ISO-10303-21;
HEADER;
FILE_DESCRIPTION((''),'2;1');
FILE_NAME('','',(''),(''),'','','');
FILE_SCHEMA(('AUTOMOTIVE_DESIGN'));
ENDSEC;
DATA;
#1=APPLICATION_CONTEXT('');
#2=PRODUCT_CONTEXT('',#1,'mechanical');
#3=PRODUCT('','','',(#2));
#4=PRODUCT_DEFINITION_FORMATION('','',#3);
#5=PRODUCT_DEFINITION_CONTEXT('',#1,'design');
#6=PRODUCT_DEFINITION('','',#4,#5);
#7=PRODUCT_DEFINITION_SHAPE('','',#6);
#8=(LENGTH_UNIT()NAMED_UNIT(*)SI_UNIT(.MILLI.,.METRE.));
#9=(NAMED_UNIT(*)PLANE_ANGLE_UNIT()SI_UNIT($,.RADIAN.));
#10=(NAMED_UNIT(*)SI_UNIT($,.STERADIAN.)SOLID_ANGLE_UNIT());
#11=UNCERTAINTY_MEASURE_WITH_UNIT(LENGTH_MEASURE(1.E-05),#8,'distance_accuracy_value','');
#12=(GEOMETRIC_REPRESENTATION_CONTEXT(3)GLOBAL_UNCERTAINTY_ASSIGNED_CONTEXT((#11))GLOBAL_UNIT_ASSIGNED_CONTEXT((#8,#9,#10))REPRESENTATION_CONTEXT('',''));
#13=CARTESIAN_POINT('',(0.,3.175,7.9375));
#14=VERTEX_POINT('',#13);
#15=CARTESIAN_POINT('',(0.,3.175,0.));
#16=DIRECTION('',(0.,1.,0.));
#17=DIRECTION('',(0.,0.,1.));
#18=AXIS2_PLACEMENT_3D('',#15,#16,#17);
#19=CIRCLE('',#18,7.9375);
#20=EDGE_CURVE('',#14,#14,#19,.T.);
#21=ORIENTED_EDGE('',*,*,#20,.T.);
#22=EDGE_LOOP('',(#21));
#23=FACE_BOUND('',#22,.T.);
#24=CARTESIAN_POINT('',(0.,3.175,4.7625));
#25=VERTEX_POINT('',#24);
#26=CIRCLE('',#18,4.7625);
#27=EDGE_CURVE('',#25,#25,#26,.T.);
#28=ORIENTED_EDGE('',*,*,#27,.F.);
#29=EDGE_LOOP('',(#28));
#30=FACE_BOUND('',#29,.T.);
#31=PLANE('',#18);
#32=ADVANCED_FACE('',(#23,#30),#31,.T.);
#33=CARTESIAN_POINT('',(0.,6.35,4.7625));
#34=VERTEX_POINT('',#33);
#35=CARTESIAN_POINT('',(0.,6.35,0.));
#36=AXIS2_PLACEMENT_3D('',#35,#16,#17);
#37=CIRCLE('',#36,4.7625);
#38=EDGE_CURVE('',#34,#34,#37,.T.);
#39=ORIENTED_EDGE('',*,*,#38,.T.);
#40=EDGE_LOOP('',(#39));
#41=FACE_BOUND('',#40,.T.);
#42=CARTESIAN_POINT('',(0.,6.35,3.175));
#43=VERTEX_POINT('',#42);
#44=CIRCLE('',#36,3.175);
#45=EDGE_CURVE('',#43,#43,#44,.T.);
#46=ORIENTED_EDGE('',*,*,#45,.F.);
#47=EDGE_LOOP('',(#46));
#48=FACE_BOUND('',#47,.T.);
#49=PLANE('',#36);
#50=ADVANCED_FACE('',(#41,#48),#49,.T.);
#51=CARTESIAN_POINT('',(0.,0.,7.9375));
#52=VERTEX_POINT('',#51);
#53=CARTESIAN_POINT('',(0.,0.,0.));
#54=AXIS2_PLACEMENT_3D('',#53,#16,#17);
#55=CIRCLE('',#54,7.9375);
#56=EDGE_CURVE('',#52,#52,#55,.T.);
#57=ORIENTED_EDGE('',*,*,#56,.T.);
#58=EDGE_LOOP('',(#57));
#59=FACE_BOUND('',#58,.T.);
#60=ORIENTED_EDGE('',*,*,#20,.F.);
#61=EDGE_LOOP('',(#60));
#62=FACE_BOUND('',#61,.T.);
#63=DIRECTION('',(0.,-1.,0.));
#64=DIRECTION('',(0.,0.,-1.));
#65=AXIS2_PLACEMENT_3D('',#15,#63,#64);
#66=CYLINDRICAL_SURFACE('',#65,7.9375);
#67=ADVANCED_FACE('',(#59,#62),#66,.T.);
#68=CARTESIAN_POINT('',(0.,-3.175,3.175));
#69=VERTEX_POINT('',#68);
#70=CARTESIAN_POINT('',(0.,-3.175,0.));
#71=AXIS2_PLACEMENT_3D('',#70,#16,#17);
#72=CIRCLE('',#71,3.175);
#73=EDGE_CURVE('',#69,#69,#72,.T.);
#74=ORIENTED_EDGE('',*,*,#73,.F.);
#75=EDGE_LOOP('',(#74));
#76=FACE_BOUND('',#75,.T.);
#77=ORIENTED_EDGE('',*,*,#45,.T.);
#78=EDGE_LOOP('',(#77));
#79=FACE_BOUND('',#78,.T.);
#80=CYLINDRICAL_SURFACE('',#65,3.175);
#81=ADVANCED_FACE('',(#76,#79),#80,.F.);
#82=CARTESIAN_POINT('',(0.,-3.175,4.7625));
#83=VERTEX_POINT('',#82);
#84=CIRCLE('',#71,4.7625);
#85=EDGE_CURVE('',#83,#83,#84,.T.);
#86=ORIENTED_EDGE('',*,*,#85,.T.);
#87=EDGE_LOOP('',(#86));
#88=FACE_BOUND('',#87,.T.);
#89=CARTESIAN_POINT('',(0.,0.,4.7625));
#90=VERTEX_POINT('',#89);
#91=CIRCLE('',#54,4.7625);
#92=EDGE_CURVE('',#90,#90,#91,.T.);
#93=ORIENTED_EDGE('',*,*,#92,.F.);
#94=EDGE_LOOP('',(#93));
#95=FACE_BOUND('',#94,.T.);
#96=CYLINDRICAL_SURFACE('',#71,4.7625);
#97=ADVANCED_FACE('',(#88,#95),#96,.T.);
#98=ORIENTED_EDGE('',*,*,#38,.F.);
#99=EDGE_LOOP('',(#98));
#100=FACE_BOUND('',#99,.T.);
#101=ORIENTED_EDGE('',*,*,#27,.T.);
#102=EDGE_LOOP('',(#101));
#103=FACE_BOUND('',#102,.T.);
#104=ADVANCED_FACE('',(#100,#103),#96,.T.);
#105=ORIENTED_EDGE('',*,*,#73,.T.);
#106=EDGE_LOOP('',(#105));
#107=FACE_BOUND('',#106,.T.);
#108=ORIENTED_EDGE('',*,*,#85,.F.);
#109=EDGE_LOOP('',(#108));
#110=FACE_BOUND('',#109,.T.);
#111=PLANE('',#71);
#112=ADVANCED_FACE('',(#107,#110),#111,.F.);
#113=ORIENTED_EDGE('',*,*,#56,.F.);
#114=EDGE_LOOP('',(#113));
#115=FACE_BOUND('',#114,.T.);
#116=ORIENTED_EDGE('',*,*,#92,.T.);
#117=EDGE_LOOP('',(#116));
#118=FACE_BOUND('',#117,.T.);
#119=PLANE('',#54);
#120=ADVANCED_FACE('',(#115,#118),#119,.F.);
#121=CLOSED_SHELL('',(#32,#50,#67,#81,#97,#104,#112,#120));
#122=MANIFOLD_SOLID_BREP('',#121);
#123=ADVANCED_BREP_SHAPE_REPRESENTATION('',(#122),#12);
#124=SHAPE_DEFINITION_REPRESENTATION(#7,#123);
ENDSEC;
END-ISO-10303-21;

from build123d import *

# Parameters (mm, degrees)
SKETCH1_R                = 7.9375
SKETCH1_R_2              = 3.175
BOSS_EXTRUDE1_DEPTH      = 3.175
BOSS_EXTRUDE2_DEPTH      = 3.175
BOSS_EXTRUDE2_DEPTH_BACK = 6.35
SKETCH2_R                = 4.7625
SKETCH2_R_2              = 3.175


with BuildPart() as part:
    # Sketch1 → Boss-Extrude1 (new body)
    with BuildSketch(Plane(origin=(0, 0, 0), x_dir=(1, 0, 0), z_dir=(0, 1, 0))):
        with Locations(Location((0, 0, 0), (0, 0, 270))):
            Circle(SKETCH1_R)
        with Locations(Location((0, 0, 0), (0, 0, 270))):
            Circle(SKETCH1_R_2, mode=Mode.SUBTRACT)
    extrude(amount=BOSS_EXTRUDE1_DEPTH)

    # Sketch2 → Boss-Extrude2 (add, two sides: drawn at the far end of the back side and taken through both)
    with BuildSketch(Plane(origin=(0, 3.175, 0), x_dir=(1, 0, 0), z_dir=(0, 1, 0)).offset(-BOSS_EXTRUDE2_DEPTH_BACK)):
        with Locations(Location((0, 0, 0), (0, 0, 270))):
            Circle(SKETCH2_R)
        with Locations(Location((0, 0, 0), (0, 0, 270))):
            Circle(SKETCH2_R_2, mode=Mode.SUBTRACT)
    extrude(amount=BOSS_EXTRUDE2_DEPTH + BOSS_EXTRUDE2_DEPTH_BACK)


solid = part.part
